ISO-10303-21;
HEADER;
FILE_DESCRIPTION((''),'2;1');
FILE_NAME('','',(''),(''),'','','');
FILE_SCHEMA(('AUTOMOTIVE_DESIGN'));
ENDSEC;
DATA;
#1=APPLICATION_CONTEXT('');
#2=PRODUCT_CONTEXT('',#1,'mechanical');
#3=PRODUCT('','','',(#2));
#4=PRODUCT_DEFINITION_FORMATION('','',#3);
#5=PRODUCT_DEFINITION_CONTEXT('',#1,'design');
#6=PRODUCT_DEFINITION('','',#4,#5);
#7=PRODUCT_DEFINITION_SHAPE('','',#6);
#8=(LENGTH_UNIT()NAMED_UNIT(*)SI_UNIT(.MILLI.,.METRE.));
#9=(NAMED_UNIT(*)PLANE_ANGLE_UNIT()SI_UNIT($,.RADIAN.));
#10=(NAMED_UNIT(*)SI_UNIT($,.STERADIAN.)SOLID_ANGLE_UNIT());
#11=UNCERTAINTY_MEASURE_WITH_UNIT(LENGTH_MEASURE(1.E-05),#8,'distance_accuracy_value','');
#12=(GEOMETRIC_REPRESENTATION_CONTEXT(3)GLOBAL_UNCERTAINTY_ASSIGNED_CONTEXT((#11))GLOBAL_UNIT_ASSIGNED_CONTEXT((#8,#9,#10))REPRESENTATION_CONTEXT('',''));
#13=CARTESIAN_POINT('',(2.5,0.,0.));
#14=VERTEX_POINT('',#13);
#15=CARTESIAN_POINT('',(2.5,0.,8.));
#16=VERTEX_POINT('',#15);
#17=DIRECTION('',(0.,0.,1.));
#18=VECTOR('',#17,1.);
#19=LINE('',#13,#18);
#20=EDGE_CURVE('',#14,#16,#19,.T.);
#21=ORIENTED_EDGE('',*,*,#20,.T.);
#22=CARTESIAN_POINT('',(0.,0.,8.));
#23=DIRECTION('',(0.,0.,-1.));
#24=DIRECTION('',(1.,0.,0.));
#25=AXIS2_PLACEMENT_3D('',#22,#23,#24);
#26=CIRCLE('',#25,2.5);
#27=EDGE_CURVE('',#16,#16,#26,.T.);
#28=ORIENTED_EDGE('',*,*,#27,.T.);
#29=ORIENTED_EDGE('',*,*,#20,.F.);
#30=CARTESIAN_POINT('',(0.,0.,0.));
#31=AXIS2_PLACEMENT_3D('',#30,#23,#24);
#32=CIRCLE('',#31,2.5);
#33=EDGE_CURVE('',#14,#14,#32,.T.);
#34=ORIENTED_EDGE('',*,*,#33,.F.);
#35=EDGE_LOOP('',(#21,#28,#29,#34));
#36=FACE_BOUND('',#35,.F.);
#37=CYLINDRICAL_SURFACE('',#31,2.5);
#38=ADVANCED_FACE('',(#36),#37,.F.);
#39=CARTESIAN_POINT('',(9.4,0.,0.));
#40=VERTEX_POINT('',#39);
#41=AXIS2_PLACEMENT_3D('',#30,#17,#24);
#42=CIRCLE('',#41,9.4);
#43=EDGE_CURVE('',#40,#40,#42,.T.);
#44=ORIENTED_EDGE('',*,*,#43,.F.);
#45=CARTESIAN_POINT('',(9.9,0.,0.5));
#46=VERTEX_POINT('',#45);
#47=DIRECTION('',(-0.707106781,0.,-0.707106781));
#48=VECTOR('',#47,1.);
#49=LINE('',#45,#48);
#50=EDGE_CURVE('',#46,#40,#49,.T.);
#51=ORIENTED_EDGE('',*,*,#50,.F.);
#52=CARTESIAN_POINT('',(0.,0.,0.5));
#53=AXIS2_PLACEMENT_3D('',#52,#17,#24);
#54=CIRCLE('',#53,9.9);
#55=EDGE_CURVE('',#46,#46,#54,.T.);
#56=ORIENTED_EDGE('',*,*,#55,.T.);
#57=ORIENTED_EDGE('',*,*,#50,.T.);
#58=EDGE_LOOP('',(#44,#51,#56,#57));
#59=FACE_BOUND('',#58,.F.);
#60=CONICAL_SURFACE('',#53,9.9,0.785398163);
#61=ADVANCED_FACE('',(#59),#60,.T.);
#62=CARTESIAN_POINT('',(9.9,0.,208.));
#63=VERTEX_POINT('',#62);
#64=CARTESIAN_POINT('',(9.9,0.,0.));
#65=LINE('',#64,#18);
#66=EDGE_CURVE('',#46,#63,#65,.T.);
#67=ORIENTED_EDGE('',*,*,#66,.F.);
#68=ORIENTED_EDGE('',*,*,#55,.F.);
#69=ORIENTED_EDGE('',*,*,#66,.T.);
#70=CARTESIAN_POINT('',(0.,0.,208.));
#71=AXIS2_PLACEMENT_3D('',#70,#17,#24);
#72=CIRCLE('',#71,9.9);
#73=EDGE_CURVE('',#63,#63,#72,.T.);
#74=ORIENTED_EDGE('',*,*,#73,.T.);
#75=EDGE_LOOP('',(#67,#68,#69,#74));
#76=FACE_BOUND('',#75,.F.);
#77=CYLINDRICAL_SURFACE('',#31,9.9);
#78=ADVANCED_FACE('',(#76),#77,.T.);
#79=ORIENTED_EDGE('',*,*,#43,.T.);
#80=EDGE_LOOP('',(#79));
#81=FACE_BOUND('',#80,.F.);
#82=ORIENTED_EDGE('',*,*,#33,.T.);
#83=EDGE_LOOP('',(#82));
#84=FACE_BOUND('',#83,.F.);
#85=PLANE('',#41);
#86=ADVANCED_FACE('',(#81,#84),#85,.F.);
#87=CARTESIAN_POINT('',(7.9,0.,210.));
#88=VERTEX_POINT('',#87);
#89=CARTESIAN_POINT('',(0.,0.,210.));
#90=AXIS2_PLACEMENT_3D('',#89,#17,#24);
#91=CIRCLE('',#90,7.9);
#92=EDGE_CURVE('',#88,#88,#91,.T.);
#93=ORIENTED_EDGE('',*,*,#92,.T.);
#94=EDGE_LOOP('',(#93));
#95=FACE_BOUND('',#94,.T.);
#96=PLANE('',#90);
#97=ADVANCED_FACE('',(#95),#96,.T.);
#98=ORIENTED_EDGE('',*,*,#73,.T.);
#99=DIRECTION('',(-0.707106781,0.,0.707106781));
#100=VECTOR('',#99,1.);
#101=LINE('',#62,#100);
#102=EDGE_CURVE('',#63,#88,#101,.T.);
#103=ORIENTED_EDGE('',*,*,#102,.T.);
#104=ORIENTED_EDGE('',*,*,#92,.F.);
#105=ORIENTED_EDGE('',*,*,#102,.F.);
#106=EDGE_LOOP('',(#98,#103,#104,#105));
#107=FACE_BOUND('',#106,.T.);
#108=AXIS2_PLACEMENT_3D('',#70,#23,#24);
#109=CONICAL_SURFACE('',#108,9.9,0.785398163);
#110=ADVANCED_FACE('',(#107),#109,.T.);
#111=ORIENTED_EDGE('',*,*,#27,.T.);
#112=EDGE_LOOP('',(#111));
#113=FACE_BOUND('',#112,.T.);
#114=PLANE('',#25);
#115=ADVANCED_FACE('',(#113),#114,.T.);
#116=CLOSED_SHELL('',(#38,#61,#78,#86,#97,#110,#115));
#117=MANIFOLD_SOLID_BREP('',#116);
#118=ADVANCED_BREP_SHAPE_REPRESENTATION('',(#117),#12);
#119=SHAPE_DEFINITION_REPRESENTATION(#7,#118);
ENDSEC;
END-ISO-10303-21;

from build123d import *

# Parameters (mm, degrees)
F0_R     = 9.9
F1_DEPTH = 210
F2_SIZE  = 2
F3_R     = 2.5
F4_DEPTH = 8
F5_SIZE  = 0.5


with BuildPart() as f1:
    # F0 (on Top) → F1 (new body)
    with BuildSketch(Plane.XY):
        Circle(F0_R)
    extrude(amount=F1_DEPTH)

    # F2
    f2_edges = [f1.edges().sort_by_distance(p)[0] for p in [
        (-9.9, 0, 210),
    ]]
    chamfer(f2_edges, length=F2_SIZE)

    # F3 (on face) → F4 (cut)
    with BuildSketch(Plane(origin=(0, 0, 0), x_dir=(1, 0, 0), z_dir=(0, 0, -1))):
        Circle(F3_R)
    extrude(amount=-F4_DEPTH, mode=Mode.SUBTRACT)

    # F5
    f5_edges = [f1.edges().sort_by_distance(p)[0] for p in [
        (-9.9, 0, 0),
    ]]
    chamfer(f5_edges, length=F5_SIZE)


solid = f1.part
